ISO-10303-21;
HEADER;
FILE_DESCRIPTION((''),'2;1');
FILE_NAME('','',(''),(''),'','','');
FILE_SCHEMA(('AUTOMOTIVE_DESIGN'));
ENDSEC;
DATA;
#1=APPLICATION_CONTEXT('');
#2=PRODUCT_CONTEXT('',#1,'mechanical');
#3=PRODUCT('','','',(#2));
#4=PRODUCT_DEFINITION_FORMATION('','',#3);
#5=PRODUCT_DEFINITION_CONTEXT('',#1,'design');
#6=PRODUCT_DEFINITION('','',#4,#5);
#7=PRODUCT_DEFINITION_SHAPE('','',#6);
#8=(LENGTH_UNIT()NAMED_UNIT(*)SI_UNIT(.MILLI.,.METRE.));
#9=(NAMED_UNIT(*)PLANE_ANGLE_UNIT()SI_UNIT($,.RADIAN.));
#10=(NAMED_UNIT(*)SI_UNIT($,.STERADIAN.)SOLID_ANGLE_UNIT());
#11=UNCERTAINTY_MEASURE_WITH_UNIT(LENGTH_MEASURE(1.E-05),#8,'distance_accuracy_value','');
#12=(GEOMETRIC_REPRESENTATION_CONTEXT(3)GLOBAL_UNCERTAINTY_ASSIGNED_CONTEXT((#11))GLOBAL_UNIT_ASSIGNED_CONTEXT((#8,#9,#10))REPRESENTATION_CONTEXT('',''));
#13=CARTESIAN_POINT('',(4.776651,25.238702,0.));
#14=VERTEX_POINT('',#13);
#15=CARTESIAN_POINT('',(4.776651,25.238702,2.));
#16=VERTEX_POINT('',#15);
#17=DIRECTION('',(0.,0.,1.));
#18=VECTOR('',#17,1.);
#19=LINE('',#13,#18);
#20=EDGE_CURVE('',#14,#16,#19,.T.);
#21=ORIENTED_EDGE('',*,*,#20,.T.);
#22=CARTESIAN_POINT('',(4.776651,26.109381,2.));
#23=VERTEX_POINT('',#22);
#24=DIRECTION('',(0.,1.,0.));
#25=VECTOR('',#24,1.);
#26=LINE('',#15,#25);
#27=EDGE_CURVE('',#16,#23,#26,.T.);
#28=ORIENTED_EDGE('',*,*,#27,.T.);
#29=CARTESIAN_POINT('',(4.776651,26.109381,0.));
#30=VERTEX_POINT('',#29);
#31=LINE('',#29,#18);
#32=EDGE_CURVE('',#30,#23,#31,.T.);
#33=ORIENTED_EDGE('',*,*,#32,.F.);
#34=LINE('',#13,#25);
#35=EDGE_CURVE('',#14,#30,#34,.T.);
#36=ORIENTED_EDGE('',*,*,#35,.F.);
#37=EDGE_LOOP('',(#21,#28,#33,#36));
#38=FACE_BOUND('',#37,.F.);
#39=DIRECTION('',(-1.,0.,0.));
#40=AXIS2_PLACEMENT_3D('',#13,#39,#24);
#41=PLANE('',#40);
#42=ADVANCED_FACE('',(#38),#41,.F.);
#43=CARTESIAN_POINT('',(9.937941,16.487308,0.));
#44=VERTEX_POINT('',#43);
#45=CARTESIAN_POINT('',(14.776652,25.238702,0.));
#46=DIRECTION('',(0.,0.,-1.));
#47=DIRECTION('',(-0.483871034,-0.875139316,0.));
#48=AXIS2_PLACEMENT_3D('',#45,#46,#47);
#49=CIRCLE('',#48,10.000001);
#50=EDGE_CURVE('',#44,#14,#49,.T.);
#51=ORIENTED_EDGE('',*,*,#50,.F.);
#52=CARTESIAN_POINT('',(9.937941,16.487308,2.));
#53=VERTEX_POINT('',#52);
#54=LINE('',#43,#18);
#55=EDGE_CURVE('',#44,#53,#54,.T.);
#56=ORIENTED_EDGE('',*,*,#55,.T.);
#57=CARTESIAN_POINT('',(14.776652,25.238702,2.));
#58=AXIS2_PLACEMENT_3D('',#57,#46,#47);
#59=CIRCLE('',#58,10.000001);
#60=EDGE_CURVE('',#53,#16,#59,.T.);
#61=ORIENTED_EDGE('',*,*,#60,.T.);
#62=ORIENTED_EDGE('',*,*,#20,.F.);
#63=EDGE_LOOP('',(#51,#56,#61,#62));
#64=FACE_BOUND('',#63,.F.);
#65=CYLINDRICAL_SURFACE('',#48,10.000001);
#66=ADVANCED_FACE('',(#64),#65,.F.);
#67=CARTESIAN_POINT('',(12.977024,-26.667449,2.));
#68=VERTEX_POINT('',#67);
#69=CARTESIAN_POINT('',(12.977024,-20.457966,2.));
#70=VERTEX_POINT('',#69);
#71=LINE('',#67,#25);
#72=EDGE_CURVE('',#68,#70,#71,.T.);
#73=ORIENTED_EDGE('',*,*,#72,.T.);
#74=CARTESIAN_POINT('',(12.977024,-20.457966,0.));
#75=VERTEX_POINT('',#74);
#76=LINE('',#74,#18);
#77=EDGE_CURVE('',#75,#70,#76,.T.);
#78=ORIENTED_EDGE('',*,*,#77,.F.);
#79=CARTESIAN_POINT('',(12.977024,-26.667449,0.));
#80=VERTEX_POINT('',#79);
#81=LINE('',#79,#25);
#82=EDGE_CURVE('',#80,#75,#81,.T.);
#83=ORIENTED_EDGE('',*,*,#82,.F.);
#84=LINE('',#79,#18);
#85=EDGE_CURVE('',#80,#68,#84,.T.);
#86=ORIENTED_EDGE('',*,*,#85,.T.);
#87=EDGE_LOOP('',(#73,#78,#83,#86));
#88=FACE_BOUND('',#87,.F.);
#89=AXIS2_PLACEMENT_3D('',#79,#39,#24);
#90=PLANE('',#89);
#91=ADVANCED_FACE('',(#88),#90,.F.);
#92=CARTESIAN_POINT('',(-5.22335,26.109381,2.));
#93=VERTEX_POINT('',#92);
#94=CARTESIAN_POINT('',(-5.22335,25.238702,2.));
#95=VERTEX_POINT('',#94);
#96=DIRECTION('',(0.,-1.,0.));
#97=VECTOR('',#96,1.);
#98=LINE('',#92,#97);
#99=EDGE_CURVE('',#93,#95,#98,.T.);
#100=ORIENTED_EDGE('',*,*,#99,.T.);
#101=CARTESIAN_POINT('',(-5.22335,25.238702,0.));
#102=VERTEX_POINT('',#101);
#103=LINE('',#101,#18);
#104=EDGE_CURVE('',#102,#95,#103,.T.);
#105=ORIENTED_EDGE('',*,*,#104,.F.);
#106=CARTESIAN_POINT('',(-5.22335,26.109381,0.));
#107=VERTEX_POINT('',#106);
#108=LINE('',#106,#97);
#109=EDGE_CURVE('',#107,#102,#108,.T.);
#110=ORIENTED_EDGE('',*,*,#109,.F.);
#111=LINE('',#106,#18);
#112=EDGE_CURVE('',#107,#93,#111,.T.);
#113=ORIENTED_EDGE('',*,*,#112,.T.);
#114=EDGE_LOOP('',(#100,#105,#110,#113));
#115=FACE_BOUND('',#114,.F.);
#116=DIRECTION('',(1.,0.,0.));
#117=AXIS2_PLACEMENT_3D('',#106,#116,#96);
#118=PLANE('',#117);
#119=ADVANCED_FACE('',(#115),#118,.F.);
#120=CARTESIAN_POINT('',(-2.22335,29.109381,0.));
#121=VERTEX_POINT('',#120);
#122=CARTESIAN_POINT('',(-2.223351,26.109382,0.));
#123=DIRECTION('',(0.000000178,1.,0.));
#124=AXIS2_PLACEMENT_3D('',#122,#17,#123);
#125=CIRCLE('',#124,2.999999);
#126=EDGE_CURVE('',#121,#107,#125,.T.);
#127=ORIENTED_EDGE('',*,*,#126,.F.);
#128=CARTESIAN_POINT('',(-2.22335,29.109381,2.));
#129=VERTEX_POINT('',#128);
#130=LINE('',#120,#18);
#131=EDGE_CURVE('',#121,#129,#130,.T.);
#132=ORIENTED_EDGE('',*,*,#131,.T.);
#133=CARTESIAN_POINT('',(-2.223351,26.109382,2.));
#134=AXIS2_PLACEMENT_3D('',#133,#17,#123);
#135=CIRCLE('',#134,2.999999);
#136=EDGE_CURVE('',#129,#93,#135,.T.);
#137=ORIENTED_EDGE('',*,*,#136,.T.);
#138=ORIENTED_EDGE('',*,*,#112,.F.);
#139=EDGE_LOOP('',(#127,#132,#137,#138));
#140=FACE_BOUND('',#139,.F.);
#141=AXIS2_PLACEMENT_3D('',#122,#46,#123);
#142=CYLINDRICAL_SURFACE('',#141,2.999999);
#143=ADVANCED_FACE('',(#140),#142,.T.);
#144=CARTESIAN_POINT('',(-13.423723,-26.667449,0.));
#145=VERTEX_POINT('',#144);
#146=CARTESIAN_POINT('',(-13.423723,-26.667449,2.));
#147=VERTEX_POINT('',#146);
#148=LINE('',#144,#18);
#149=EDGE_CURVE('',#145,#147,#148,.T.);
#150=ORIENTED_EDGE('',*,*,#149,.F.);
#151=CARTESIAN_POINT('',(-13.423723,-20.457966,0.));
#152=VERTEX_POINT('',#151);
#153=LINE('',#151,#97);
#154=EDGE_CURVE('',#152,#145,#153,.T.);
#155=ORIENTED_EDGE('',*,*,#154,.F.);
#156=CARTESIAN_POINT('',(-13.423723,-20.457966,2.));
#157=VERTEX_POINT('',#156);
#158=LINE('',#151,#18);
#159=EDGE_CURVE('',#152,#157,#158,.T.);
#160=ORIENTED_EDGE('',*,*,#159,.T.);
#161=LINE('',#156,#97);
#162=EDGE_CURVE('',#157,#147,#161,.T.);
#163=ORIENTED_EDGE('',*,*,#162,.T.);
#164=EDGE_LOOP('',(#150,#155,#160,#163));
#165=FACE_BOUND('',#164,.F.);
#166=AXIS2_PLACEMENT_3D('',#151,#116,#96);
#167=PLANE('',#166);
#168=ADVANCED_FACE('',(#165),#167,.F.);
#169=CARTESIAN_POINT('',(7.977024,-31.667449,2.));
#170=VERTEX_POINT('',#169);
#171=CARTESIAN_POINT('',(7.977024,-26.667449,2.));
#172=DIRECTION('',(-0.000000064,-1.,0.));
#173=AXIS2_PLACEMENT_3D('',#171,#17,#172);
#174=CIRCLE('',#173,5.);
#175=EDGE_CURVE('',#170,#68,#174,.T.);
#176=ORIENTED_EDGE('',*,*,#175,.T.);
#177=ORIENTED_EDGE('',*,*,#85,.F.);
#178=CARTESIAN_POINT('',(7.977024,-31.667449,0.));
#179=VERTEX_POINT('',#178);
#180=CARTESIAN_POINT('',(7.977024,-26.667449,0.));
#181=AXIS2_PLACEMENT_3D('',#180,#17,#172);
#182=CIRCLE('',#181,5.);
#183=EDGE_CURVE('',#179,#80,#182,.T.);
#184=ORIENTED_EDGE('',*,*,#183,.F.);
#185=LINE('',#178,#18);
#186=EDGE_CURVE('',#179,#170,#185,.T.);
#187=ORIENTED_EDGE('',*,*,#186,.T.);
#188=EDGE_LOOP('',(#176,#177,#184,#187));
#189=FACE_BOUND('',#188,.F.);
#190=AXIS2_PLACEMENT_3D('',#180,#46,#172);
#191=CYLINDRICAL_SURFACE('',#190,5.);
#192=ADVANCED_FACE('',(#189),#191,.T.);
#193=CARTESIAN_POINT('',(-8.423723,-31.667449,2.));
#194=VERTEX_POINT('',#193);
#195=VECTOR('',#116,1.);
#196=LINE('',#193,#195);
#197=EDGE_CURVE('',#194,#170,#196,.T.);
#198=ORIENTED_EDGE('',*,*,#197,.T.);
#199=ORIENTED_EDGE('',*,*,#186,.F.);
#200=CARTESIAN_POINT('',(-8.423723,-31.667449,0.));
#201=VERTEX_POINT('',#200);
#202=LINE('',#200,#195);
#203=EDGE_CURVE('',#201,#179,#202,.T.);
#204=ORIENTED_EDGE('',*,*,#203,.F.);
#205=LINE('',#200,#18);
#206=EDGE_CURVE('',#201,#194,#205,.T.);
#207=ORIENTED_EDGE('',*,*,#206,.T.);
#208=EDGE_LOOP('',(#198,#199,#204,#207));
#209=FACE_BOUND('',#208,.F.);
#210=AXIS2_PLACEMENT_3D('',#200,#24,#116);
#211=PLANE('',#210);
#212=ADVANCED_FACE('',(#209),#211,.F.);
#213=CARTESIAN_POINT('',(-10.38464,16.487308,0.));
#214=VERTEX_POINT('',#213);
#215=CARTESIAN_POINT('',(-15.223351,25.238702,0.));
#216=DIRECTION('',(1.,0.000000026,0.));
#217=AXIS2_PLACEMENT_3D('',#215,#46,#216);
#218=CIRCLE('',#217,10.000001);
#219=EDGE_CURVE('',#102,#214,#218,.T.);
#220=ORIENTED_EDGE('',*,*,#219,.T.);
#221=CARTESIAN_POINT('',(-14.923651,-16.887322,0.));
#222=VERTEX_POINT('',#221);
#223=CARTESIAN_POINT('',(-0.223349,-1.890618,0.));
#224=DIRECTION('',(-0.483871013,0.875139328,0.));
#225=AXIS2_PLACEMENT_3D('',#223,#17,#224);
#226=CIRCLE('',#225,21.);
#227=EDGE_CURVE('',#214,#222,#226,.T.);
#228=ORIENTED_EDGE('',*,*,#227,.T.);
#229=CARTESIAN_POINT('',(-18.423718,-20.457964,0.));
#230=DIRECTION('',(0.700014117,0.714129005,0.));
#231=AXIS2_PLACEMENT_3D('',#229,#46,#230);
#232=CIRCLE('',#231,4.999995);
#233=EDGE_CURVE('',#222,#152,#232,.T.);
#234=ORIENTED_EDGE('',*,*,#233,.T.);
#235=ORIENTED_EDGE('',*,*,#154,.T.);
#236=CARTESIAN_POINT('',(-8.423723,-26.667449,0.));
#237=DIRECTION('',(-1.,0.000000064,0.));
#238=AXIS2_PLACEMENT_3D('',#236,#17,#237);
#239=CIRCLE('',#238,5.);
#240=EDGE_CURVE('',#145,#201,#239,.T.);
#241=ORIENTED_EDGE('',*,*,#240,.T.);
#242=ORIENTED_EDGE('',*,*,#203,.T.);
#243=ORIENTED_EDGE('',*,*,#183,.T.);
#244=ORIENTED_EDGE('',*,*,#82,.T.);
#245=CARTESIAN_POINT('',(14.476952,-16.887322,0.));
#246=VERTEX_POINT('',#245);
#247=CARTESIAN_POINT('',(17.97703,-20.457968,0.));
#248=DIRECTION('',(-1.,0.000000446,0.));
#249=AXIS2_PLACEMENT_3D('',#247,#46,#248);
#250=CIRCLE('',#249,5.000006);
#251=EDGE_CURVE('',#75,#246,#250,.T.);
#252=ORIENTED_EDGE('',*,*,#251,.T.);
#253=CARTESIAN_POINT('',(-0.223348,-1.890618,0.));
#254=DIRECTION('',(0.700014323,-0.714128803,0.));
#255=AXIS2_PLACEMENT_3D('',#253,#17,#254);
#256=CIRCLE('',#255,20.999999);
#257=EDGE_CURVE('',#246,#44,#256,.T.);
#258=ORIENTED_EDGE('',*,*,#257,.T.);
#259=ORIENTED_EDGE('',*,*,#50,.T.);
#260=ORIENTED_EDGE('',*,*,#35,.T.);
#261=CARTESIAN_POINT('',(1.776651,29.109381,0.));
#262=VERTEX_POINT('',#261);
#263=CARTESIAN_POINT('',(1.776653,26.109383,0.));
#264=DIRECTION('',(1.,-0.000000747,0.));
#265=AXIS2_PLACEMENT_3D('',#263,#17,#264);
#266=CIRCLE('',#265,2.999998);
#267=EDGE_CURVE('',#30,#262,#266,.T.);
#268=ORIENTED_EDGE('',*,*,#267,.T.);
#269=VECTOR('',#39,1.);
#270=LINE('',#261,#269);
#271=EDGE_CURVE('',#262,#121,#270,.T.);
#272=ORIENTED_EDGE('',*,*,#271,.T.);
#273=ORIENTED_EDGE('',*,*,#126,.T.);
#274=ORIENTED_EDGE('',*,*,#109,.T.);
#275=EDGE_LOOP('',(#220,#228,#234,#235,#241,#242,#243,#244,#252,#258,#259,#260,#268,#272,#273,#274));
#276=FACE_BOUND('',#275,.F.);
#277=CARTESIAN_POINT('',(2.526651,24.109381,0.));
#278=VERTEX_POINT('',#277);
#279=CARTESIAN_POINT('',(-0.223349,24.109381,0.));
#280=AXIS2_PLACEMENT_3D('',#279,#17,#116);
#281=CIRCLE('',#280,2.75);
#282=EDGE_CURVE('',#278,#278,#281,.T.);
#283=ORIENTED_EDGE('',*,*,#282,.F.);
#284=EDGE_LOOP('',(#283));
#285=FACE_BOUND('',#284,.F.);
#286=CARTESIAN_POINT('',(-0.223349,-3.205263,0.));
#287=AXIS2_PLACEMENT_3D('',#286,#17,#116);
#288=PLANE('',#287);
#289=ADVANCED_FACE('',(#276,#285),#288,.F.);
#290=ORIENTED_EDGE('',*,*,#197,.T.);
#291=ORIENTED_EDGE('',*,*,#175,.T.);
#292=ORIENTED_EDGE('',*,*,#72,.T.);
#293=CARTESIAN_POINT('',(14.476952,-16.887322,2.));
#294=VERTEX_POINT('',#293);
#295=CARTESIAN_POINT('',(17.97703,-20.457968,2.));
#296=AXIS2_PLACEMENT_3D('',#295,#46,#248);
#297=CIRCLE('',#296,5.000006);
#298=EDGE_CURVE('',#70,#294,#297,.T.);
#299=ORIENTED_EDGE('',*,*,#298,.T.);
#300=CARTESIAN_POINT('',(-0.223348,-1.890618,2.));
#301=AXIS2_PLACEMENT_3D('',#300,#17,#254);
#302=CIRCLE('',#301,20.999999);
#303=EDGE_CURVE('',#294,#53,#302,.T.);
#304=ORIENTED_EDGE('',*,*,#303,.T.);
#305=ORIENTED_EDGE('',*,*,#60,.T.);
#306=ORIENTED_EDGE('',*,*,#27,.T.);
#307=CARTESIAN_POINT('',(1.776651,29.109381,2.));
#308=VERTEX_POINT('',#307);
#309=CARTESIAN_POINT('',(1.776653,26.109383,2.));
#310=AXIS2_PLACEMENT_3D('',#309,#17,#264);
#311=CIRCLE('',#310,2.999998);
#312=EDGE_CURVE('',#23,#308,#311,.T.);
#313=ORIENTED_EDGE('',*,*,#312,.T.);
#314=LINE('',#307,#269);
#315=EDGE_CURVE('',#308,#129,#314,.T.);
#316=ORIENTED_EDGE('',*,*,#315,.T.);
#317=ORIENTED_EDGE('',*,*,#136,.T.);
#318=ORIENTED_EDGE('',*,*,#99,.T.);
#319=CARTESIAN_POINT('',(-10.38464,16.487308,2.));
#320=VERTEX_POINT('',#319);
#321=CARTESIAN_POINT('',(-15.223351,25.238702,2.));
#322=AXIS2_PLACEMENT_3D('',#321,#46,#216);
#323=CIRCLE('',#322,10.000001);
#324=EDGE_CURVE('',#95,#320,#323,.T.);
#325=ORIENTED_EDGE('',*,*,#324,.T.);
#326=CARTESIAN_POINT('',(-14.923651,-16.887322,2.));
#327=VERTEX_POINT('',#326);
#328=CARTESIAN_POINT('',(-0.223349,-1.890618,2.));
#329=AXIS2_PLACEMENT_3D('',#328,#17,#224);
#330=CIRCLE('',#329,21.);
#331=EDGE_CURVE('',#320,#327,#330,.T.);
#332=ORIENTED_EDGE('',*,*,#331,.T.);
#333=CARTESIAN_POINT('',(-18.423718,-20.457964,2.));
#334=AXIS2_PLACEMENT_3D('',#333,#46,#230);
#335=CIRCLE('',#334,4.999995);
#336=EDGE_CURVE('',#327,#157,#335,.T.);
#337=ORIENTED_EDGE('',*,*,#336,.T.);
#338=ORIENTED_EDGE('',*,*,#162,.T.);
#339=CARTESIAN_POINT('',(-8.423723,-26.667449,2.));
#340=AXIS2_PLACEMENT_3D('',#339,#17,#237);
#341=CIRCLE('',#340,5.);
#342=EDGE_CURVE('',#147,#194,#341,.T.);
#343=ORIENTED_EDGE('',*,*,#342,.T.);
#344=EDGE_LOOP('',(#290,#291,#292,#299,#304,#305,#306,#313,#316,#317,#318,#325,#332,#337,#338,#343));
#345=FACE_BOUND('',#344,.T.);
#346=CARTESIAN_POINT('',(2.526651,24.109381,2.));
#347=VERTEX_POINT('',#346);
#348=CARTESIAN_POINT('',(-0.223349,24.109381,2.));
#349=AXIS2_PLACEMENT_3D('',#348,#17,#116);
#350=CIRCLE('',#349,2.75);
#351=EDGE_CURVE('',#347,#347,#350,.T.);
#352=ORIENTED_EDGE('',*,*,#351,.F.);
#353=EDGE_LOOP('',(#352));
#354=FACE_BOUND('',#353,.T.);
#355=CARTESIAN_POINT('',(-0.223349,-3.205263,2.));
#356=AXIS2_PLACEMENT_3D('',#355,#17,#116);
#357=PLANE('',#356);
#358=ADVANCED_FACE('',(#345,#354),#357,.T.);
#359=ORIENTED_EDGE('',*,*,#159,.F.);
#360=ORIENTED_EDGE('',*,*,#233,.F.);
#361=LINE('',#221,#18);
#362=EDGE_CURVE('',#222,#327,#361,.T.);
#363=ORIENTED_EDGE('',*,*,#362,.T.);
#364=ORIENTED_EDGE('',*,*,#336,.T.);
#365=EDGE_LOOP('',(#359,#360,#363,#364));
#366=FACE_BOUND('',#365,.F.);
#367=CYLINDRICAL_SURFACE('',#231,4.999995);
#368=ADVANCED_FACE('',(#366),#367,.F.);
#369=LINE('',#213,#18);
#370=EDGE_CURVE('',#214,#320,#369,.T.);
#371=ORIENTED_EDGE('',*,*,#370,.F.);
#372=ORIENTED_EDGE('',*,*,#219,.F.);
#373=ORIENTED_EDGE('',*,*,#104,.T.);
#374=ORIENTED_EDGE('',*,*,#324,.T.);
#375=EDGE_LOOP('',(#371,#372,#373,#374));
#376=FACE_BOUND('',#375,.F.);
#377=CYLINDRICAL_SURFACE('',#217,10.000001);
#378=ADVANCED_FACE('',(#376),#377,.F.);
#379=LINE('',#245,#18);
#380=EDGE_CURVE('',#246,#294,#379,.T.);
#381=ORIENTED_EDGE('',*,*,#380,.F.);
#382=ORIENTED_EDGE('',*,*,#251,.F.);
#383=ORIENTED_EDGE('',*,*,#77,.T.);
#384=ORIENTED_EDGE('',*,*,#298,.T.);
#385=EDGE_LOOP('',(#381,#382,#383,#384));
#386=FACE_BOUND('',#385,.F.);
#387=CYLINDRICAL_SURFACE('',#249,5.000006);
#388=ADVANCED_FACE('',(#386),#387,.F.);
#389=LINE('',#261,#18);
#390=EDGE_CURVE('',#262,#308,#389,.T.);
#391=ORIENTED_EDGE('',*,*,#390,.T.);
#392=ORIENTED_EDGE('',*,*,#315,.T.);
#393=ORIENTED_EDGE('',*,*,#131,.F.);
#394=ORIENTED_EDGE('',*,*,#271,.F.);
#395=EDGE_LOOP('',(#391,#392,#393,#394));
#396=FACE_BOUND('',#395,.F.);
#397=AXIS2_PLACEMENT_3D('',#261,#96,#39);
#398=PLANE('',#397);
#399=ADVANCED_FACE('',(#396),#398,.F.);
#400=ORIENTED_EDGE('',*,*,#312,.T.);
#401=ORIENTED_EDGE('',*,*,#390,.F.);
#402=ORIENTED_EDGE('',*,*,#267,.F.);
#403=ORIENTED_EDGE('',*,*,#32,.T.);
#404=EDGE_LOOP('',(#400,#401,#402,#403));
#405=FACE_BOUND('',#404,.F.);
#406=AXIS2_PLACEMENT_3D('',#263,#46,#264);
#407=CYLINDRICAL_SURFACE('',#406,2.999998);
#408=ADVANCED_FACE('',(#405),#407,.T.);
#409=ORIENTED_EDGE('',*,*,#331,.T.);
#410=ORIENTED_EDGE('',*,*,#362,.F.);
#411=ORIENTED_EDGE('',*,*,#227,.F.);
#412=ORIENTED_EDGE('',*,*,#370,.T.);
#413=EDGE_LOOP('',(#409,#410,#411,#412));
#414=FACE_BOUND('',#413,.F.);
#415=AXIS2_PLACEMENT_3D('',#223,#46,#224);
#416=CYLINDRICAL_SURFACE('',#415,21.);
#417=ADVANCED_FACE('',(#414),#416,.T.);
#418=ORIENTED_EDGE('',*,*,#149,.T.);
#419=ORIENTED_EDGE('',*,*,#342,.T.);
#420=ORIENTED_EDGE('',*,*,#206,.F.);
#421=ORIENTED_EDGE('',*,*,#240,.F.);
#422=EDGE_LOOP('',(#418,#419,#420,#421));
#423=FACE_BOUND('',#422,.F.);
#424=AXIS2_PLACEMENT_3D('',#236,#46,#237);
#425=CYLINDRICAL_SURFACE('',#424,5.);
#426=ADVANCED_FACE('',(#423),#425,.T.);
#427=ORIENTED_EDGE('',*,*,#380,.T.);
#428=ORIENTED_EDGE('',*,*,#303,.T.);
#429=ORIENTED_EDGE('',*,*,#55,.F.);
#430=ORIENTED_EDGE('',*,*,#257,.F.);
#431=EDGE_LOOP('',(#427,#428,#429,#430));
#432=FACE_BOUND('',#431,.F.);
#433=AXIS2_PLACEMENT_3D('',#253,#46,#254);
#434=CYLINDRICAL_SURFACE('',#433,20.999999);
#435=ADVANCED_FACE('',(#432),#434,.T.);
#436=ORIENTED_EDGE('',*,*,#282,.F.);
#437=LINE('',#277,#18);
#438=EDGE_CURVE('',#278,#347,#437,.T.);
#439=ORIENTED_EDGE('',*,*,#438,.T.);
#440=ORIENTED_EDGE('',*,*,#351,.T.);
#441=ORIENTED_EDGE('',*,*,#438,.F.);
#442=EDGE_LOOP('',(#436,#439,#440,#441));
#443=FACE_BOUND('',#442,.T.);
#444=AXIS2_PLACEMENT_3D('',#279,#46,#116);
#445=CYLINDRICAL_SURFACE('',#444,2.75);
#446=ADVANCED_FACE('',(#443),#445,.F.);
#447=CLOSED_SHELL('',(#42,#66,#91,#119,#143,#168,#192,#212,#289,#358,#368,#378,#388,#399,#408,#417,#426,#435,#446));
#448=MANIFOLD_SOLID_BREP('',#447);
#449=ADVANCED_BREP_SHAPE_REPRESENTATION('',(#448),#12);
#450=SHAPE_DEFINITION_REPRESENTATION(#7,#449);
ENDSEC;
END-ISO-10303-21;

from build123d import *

# Parameters (mm, degrees)
F0_R     = 2.75
F1_DEPTH = 2


with BuildPart() as f1:
    # F0 (on Top) → F1 (new body)
    with BuildSketch(Plane.XY):
        with BuildLine():
            ThreePointArc((12.977024, -20.457966), (13.367233, -18.52152), (14.476952, -16.887322))
            ThreePointArc((14.476952, -16.887322), (20.585091, 0.939368), (9.937941, 16.487308))
            ThreePointArc((9.937941, 16.487308), (6.163083, 20.158697), (4.776651, 25.238702))
            Line((4.776651, 25.238702), (4.776651, 26.109381))
            ThreePointArc((4.776651, 26.109381), (3.897972, 28.230702), (1.776651, 29.109381))
            Line((1.776651, 29.109381), (-0.223349, 29.109381))
            Line((-0.223349, 29.109381), (-2.22335, 29.109381))
            ThreePointArc((-2.22335, 29.109381), (-4.34467, 28.230702), (-5.22335, 26.109381))
            Line((-5.22335, 26.109381), (-5.22335, 25.238702))
            ThreePointArc((-5.22335, 25.238702), (-6.609782, 20.158697), (-10.38464, 16.487308))
            ThreePointArc((-10.38464, 16.487308), (-21.031789, 0.939368), (-14.923651, -16.887322))
            ThreePointArc((-14.923651, -16.887322), (-13.813931, -18.52152), (-13.423723, -20.457966))
            Line((-13.423723, -20.457966), (-13.423723, -26.667449))
            ThreePointArc((-13.423723, -26.667449), (-11.959257, -30.202983), (-8.423723, -31.667449))
            Line((-8.423723, -31.667449), (-0.223349, -31.667449))
            Line((-0.223349, -31.667449), (7.977024, -31.667449))
            ThreePointArc((7.977024, -31.667449), (11.512558, -30.202983), (12.977024, -26.667449))
            Line((12.977024, -26.667449), (12.977024, -20.457966))
        make_face()
        with Locations((-0.223349, 24.109381)):
            Circle(F0_R, mode=Mode.SUBTRACT)
    extrude(amount=F1_DEPTH)


solid = f1.part
